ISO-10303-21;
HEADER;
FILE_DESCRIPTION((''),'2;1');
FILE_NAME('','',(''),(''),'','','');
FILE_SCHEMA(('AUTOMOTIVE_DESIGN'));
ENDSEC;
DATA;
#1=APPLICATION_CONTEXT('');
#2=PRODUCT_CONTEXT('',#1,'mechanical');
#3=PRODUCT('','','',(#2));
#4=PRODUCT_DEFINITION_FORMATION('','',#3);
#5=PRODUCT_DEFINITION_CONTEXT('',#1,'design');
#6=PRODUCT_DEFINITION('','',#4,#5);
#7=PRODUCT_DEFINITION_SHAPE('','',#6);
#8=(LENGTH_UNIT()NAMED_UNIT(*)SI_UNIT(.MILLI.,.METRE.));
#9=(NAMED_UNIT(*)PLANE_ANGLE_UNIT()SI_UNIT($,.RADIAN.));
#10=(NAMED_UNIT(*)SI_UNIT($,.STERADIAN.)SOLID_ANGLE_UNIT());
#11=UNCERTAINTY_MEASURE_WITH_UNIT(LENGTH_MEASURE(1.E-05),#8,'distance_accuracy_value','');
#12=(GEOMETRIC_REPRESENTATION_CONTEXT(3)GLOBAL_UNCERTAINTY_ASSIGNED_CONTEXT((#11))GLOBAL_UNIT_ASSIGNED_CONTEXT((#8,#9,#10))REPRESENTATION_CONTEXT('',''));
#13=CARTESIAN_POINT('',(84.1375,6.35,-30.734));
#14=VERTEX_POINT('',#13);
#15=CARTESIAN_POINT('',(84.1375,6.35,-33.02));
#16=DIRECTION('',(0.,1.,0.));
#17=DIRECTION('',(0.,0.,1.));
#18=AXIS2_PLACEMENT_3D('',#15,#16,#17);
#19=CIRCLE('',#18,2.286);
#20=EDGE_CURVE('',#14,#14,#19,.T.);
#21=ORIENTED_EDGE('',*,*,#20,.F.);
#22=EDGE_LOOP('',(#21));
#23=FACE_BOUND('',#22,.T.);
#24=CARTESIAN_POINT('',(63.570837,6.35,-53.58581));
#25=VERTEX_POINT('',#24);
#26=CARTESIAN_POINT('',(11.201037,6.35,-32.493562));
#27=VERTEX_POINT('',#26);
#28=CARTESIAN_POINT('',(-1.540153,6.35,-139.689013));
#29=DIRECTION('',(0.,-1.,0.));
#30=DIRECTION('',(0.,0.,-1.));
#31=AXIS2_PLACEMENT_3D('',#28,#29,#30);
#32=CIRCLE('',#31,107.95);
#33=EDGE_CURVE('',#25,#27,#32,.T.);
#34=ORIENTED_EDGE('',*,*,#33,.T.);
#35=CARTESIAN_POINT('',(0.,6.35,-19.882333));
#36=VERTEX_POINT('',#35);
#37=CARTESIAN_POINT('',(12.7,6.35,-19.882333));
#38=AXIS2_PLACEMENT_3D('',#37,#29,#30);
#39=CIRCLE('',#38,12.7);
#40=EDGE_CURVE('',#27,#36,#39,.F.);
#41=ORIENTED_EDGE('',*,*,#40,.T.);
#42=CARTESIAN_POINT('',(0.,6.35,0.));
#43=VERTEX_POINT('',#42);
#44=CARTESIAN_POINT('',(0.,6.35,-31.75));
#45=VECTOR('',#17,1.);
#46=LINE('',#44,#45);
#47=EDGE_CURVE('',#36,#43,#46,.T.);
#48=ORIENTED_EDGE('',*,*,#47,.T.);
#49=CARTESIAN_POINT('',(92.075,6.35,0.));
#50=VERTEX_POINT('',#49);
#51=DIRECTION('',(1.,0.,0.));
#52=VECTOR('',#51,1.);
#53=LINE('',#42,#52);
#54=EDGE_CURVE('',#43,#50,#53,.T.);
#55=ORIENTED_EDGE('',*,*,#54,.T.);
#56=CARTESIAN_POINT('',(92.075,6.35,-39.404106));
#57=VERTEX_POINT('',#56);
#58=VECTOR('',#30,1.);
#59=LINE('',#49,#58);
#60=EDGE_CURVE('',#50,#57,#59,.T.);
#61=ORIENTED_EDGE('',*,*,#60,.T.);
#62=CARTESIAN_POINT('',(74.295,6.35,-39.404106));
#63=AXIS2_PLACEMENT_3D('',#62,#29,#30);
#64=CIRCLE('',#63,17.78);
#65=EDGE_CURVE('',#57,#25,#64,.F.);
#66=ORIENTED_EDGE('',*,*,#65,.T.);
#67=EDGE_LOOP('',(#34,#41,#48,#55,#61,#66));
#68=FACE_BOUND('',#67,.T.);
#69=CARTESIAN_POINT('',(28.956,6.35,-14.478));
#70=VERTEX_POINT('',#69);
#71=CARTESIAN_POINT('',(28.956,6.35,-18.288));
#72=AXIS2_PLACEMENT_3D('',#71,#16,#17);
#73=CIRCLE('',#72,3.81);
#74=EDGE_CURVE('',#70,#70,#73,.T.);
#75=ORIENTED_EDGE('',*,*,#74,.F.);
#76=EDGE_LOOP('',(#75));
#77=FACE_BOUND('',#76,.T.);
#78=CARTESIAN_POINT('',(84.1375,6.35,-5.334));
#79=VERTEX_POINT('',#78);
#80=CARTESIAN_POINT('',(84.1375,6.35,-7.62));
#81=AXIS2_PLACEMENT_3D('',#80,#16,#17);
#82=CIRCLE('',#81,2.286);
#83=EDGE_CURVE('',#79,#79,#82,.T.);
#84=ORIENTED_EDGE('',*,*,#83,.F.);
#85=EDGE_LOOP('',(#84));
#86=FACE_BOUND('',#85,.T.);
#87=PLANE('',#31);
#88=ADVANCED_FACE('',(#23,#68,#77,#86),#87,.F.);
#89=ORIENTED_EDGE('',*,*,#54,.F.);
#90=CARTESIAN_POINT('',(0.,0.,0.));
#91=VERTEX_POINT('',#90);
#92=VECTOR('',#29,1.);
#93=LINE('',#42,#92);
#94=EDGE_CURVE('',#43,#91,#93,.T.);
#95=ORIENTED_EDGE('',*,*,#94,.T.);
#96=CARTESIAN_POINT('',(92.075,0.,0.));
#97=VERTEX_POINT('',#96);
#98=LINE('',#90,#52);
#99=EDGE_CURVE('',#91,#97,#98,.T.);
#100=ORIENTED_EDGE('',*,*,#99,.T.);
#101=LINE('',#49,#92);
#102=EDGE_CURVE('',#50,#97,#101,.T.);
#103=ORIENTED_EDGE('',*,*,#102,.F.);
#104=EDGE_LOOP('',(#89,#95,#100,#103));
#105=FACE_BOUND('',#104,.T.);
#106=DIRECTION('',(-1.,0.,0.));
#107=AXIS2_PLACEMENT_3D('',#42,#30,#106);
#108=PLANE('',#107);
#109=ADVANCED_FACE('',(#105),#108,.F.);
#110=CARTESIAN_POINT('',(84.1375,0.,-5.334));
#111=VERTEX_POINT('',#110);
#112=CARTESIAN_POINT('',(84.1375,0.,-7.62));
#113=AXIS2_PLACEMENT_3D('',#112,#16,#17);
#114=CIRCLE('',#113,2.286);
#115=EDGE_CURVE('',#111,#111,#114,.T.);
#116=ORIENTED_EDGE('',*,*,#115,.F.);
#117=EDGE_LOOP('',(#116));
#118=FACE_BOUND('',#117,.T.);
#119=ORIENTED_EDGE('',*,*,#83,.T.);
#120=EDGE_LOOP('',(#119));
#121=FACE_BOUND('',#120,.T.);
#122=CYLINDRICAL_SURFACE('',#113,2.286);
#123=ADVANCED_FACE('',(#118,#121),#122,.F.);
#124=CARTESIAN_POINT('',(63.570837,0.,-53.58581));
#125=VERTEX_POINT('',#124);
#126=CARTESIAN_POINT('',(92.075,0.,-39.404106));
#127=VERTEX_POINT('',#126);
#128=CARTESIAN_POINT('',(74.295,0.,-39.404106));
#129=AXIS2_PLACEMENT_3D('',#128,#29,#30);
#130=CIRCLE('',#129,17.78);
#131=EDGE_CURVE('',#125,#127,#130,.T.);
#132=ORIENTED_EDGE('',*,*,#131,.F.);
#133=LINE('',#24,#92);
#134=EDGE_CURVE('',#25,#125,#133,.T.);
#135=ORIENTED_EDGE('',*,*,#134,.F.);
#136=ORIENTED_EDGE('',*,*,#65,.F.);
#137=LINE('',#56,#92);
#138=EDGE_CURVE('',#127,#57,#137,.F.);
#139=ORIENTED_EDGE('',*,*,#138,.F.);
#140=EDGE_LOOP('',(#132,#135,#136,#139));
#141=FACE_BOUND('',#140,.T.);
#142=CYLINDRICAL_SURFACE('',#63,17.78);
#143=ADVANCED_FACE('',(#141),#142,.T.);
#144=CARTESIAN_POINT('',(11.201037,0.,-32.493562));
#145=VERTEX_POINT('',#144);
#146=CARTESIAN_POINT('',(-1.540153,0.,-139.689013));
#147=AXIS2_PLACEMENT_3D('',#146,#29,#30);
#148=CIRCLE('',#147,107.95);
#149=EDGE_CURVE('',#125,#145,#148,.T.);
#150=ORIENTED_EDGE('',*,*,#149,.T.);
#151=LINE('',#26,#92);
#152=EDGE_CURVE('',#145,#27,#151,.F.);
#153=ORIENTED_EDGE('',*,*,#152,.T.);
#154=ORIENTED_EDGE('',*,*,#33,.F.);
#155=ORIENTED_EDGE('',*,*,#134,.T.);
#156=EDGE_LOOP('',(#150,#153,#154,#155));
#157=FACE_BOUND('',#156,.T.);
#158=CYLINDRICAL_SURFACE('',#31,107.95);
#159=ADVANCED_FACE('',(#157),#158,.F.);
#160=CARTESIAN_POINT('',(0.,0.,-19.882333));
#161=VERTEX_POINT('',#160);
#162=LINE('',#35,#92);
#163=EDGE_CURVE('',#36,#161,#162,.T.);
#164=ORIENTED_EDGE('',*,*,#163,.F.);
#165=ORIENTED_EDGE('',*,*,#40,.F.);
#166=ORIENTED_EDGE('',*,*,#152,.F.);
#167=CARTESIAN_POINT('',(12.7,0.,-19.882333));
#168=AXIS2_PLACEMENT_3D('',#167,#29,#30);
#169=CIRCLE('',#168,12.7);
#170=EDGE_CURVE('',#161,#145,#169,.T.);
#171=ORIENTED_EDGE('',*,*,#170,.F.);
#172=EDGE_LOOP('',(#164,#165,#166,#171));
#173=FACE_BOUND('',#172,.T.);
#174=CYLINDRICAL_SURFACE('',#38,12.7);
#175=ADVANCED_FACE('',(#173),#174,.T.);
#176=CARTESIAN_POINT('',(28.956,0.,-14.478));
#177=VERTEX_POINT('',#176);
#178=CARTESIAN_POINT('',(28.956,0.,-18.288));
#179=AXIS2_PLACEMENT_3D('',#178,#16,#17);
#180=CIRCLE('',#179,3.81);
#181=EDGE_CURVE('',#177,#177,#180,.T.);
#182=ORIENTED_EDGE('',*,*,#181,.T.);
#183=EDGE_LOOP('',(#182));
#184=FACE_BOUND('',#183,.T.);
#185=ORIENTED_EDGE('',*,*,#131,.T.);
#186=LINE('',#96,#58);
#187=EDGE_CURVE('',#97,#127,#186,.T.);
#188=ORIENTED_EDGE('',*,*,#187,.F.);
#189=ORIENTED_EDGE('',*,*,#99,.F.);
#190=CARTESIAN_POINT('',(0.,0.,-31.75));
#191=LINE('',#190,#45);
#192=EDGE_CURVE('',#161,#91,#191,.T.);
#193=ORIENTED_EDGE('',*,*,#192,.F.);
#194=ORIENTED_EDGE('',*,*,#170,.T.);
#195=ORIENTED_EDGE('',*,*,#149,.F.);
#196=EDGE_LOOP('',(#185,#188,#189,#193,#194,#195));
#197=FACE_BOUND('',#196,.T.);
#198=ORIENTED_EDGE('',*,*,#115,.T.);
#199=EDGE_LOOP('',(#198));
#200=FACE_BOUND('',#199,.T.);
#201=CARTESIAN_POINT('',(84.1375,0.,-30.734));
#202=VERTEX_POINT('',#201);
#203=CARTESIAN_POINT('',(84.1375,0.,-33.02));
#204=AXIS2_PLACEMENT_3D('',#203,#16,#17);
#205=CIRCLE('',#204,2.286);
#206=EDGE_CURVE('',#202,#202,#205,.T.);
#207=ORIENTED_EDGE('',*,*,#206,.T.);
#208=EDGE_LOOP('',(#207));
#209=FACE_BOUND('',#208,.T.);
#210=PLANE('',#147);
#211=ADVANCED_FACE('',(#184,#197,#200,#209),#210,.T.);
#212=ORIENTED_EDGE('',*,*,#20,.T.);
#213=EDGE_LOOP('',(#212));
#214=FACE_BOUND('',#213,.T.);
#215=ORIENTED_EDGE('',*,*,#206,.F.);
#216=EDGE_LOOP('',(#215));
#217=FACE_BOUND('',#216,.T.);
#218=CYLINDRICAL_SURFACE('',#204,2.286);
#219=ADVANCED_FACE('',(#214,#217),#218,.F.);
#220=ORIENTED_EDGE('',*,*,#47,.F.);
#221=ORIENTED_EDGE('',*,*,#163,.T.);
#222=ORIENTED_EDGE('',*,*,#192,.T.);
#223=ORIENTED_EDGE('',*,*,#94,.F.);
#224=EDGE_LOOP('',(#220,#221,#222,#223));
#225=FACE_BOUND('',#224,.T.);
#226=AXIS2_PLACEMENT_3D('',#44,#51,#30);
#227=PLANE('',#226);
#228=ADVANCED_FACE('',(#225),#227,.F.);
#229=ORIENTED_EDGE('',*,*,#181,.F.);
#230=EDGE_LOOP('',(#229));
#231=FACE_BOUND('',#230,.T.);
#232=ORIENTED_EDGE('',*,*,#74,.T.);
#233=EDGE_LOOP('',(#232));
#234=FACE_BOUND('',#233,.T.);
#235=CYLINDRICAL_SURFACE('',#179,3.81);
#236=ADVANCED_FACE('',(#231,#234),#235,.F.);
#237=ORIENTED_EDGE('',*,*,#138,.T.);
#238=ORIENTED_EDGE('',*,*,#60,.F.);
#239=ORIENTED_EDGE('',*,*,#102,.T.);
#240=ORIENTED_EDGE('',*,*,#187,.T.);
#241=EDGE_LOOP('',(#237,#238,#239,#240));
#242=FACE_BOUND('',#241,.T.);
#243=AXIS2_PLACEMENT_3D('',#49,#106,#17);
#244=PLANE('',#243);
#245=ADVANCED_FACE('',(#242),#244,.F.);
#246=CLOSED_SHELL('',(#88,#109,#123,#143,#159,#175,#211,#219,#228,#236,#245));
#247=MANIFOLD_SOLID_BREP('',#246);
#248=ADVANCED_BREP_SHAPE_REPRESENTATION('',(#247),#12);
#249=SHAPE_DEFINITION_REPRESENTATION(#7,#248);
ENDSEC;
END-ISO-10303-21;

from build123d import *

# Parameters (mm, degrees)
BOSS_EXTRUDE1_DEPTH = 6.35
FILLET1_R           = 12.7
SKETCH2_R           = 2.286
CUT_EXTRUDE1_DEPTH  = 127.107467202
SKETCH3_R           = 3.81
CUT_EXTRUDE2_DEPTH  = 127.107467202
FILLET2_R           = 17.78


with BuildPart() as part:
    # Sketch1 → Boss-Extrude1 (new body)
    with BuildSketch(Plane(origin=(0, 0, 0), x_dir=(1, 0, 0), z_dir=(0, 1, 0))):
        with BuildLine():
            Line((0, 0), (92.075, 0))
            Line((92.075, 0), (92.075, 85.93582))
            ThreePointArc((92.075, 85.93582), (53.210726842, 46.653837999), (0, 31.75))
            Line((0, 31.75), (0, 0))
        make_face()
    extrude(amount=BOSS_EXTRUDE1_DEPTH)

    # Fillet1
    fillet1_edges = [part.edges().sort_by_distance(p)[0] for p in [
        (0, 3.175, -31.75),
    ]]
    fillet(fillet1_edges, radius=FILLET1_R)

    # Sketch2 → Cut-Extrude1 (cut, through all)
    with BuildSketch(Plane(origin=(0, 6.35, 0), x_dir=(1, 0, 0), z_dir=(0, 1, 0))):
        with Locations(Location((84.1375, 7.62, 0), (0, 0, 270))):
            Circle(SKETCH2_R)
        with Locations(Location((84.1375, 33.02, 0), (0, 0, 270))):
            Circle(SKETCH2_R)
    extrude(amount=-CUT_EXTRUDE1_DEPTH, mode=Mode.SUBTRACT)

    # Sketch3 → Cut-Extrude2 (cut, through all)
    with BuildSketch(Plane(origin=(0, 6.35, 0), x_dir=(1, 0, 0), z_dir=(0, 1, 0))):
        with Locations(Location((28.956, 18.288, 0), (0, 0, 270))):
            Circle(SKETCH3_R)
    extrude(amount=-CUT_EXTRUDE2_DEPTH, mode=Mode.SUBTRACT)

    # Fillet2
    fillet2_edges = [part.edges().sort_by_distance(p)[0] for p in [
        (92.075, 3.175, -85.93582),
    ]]
    fillet(fillet2_edges, radius=FILLET2_R)


solid = part.part
